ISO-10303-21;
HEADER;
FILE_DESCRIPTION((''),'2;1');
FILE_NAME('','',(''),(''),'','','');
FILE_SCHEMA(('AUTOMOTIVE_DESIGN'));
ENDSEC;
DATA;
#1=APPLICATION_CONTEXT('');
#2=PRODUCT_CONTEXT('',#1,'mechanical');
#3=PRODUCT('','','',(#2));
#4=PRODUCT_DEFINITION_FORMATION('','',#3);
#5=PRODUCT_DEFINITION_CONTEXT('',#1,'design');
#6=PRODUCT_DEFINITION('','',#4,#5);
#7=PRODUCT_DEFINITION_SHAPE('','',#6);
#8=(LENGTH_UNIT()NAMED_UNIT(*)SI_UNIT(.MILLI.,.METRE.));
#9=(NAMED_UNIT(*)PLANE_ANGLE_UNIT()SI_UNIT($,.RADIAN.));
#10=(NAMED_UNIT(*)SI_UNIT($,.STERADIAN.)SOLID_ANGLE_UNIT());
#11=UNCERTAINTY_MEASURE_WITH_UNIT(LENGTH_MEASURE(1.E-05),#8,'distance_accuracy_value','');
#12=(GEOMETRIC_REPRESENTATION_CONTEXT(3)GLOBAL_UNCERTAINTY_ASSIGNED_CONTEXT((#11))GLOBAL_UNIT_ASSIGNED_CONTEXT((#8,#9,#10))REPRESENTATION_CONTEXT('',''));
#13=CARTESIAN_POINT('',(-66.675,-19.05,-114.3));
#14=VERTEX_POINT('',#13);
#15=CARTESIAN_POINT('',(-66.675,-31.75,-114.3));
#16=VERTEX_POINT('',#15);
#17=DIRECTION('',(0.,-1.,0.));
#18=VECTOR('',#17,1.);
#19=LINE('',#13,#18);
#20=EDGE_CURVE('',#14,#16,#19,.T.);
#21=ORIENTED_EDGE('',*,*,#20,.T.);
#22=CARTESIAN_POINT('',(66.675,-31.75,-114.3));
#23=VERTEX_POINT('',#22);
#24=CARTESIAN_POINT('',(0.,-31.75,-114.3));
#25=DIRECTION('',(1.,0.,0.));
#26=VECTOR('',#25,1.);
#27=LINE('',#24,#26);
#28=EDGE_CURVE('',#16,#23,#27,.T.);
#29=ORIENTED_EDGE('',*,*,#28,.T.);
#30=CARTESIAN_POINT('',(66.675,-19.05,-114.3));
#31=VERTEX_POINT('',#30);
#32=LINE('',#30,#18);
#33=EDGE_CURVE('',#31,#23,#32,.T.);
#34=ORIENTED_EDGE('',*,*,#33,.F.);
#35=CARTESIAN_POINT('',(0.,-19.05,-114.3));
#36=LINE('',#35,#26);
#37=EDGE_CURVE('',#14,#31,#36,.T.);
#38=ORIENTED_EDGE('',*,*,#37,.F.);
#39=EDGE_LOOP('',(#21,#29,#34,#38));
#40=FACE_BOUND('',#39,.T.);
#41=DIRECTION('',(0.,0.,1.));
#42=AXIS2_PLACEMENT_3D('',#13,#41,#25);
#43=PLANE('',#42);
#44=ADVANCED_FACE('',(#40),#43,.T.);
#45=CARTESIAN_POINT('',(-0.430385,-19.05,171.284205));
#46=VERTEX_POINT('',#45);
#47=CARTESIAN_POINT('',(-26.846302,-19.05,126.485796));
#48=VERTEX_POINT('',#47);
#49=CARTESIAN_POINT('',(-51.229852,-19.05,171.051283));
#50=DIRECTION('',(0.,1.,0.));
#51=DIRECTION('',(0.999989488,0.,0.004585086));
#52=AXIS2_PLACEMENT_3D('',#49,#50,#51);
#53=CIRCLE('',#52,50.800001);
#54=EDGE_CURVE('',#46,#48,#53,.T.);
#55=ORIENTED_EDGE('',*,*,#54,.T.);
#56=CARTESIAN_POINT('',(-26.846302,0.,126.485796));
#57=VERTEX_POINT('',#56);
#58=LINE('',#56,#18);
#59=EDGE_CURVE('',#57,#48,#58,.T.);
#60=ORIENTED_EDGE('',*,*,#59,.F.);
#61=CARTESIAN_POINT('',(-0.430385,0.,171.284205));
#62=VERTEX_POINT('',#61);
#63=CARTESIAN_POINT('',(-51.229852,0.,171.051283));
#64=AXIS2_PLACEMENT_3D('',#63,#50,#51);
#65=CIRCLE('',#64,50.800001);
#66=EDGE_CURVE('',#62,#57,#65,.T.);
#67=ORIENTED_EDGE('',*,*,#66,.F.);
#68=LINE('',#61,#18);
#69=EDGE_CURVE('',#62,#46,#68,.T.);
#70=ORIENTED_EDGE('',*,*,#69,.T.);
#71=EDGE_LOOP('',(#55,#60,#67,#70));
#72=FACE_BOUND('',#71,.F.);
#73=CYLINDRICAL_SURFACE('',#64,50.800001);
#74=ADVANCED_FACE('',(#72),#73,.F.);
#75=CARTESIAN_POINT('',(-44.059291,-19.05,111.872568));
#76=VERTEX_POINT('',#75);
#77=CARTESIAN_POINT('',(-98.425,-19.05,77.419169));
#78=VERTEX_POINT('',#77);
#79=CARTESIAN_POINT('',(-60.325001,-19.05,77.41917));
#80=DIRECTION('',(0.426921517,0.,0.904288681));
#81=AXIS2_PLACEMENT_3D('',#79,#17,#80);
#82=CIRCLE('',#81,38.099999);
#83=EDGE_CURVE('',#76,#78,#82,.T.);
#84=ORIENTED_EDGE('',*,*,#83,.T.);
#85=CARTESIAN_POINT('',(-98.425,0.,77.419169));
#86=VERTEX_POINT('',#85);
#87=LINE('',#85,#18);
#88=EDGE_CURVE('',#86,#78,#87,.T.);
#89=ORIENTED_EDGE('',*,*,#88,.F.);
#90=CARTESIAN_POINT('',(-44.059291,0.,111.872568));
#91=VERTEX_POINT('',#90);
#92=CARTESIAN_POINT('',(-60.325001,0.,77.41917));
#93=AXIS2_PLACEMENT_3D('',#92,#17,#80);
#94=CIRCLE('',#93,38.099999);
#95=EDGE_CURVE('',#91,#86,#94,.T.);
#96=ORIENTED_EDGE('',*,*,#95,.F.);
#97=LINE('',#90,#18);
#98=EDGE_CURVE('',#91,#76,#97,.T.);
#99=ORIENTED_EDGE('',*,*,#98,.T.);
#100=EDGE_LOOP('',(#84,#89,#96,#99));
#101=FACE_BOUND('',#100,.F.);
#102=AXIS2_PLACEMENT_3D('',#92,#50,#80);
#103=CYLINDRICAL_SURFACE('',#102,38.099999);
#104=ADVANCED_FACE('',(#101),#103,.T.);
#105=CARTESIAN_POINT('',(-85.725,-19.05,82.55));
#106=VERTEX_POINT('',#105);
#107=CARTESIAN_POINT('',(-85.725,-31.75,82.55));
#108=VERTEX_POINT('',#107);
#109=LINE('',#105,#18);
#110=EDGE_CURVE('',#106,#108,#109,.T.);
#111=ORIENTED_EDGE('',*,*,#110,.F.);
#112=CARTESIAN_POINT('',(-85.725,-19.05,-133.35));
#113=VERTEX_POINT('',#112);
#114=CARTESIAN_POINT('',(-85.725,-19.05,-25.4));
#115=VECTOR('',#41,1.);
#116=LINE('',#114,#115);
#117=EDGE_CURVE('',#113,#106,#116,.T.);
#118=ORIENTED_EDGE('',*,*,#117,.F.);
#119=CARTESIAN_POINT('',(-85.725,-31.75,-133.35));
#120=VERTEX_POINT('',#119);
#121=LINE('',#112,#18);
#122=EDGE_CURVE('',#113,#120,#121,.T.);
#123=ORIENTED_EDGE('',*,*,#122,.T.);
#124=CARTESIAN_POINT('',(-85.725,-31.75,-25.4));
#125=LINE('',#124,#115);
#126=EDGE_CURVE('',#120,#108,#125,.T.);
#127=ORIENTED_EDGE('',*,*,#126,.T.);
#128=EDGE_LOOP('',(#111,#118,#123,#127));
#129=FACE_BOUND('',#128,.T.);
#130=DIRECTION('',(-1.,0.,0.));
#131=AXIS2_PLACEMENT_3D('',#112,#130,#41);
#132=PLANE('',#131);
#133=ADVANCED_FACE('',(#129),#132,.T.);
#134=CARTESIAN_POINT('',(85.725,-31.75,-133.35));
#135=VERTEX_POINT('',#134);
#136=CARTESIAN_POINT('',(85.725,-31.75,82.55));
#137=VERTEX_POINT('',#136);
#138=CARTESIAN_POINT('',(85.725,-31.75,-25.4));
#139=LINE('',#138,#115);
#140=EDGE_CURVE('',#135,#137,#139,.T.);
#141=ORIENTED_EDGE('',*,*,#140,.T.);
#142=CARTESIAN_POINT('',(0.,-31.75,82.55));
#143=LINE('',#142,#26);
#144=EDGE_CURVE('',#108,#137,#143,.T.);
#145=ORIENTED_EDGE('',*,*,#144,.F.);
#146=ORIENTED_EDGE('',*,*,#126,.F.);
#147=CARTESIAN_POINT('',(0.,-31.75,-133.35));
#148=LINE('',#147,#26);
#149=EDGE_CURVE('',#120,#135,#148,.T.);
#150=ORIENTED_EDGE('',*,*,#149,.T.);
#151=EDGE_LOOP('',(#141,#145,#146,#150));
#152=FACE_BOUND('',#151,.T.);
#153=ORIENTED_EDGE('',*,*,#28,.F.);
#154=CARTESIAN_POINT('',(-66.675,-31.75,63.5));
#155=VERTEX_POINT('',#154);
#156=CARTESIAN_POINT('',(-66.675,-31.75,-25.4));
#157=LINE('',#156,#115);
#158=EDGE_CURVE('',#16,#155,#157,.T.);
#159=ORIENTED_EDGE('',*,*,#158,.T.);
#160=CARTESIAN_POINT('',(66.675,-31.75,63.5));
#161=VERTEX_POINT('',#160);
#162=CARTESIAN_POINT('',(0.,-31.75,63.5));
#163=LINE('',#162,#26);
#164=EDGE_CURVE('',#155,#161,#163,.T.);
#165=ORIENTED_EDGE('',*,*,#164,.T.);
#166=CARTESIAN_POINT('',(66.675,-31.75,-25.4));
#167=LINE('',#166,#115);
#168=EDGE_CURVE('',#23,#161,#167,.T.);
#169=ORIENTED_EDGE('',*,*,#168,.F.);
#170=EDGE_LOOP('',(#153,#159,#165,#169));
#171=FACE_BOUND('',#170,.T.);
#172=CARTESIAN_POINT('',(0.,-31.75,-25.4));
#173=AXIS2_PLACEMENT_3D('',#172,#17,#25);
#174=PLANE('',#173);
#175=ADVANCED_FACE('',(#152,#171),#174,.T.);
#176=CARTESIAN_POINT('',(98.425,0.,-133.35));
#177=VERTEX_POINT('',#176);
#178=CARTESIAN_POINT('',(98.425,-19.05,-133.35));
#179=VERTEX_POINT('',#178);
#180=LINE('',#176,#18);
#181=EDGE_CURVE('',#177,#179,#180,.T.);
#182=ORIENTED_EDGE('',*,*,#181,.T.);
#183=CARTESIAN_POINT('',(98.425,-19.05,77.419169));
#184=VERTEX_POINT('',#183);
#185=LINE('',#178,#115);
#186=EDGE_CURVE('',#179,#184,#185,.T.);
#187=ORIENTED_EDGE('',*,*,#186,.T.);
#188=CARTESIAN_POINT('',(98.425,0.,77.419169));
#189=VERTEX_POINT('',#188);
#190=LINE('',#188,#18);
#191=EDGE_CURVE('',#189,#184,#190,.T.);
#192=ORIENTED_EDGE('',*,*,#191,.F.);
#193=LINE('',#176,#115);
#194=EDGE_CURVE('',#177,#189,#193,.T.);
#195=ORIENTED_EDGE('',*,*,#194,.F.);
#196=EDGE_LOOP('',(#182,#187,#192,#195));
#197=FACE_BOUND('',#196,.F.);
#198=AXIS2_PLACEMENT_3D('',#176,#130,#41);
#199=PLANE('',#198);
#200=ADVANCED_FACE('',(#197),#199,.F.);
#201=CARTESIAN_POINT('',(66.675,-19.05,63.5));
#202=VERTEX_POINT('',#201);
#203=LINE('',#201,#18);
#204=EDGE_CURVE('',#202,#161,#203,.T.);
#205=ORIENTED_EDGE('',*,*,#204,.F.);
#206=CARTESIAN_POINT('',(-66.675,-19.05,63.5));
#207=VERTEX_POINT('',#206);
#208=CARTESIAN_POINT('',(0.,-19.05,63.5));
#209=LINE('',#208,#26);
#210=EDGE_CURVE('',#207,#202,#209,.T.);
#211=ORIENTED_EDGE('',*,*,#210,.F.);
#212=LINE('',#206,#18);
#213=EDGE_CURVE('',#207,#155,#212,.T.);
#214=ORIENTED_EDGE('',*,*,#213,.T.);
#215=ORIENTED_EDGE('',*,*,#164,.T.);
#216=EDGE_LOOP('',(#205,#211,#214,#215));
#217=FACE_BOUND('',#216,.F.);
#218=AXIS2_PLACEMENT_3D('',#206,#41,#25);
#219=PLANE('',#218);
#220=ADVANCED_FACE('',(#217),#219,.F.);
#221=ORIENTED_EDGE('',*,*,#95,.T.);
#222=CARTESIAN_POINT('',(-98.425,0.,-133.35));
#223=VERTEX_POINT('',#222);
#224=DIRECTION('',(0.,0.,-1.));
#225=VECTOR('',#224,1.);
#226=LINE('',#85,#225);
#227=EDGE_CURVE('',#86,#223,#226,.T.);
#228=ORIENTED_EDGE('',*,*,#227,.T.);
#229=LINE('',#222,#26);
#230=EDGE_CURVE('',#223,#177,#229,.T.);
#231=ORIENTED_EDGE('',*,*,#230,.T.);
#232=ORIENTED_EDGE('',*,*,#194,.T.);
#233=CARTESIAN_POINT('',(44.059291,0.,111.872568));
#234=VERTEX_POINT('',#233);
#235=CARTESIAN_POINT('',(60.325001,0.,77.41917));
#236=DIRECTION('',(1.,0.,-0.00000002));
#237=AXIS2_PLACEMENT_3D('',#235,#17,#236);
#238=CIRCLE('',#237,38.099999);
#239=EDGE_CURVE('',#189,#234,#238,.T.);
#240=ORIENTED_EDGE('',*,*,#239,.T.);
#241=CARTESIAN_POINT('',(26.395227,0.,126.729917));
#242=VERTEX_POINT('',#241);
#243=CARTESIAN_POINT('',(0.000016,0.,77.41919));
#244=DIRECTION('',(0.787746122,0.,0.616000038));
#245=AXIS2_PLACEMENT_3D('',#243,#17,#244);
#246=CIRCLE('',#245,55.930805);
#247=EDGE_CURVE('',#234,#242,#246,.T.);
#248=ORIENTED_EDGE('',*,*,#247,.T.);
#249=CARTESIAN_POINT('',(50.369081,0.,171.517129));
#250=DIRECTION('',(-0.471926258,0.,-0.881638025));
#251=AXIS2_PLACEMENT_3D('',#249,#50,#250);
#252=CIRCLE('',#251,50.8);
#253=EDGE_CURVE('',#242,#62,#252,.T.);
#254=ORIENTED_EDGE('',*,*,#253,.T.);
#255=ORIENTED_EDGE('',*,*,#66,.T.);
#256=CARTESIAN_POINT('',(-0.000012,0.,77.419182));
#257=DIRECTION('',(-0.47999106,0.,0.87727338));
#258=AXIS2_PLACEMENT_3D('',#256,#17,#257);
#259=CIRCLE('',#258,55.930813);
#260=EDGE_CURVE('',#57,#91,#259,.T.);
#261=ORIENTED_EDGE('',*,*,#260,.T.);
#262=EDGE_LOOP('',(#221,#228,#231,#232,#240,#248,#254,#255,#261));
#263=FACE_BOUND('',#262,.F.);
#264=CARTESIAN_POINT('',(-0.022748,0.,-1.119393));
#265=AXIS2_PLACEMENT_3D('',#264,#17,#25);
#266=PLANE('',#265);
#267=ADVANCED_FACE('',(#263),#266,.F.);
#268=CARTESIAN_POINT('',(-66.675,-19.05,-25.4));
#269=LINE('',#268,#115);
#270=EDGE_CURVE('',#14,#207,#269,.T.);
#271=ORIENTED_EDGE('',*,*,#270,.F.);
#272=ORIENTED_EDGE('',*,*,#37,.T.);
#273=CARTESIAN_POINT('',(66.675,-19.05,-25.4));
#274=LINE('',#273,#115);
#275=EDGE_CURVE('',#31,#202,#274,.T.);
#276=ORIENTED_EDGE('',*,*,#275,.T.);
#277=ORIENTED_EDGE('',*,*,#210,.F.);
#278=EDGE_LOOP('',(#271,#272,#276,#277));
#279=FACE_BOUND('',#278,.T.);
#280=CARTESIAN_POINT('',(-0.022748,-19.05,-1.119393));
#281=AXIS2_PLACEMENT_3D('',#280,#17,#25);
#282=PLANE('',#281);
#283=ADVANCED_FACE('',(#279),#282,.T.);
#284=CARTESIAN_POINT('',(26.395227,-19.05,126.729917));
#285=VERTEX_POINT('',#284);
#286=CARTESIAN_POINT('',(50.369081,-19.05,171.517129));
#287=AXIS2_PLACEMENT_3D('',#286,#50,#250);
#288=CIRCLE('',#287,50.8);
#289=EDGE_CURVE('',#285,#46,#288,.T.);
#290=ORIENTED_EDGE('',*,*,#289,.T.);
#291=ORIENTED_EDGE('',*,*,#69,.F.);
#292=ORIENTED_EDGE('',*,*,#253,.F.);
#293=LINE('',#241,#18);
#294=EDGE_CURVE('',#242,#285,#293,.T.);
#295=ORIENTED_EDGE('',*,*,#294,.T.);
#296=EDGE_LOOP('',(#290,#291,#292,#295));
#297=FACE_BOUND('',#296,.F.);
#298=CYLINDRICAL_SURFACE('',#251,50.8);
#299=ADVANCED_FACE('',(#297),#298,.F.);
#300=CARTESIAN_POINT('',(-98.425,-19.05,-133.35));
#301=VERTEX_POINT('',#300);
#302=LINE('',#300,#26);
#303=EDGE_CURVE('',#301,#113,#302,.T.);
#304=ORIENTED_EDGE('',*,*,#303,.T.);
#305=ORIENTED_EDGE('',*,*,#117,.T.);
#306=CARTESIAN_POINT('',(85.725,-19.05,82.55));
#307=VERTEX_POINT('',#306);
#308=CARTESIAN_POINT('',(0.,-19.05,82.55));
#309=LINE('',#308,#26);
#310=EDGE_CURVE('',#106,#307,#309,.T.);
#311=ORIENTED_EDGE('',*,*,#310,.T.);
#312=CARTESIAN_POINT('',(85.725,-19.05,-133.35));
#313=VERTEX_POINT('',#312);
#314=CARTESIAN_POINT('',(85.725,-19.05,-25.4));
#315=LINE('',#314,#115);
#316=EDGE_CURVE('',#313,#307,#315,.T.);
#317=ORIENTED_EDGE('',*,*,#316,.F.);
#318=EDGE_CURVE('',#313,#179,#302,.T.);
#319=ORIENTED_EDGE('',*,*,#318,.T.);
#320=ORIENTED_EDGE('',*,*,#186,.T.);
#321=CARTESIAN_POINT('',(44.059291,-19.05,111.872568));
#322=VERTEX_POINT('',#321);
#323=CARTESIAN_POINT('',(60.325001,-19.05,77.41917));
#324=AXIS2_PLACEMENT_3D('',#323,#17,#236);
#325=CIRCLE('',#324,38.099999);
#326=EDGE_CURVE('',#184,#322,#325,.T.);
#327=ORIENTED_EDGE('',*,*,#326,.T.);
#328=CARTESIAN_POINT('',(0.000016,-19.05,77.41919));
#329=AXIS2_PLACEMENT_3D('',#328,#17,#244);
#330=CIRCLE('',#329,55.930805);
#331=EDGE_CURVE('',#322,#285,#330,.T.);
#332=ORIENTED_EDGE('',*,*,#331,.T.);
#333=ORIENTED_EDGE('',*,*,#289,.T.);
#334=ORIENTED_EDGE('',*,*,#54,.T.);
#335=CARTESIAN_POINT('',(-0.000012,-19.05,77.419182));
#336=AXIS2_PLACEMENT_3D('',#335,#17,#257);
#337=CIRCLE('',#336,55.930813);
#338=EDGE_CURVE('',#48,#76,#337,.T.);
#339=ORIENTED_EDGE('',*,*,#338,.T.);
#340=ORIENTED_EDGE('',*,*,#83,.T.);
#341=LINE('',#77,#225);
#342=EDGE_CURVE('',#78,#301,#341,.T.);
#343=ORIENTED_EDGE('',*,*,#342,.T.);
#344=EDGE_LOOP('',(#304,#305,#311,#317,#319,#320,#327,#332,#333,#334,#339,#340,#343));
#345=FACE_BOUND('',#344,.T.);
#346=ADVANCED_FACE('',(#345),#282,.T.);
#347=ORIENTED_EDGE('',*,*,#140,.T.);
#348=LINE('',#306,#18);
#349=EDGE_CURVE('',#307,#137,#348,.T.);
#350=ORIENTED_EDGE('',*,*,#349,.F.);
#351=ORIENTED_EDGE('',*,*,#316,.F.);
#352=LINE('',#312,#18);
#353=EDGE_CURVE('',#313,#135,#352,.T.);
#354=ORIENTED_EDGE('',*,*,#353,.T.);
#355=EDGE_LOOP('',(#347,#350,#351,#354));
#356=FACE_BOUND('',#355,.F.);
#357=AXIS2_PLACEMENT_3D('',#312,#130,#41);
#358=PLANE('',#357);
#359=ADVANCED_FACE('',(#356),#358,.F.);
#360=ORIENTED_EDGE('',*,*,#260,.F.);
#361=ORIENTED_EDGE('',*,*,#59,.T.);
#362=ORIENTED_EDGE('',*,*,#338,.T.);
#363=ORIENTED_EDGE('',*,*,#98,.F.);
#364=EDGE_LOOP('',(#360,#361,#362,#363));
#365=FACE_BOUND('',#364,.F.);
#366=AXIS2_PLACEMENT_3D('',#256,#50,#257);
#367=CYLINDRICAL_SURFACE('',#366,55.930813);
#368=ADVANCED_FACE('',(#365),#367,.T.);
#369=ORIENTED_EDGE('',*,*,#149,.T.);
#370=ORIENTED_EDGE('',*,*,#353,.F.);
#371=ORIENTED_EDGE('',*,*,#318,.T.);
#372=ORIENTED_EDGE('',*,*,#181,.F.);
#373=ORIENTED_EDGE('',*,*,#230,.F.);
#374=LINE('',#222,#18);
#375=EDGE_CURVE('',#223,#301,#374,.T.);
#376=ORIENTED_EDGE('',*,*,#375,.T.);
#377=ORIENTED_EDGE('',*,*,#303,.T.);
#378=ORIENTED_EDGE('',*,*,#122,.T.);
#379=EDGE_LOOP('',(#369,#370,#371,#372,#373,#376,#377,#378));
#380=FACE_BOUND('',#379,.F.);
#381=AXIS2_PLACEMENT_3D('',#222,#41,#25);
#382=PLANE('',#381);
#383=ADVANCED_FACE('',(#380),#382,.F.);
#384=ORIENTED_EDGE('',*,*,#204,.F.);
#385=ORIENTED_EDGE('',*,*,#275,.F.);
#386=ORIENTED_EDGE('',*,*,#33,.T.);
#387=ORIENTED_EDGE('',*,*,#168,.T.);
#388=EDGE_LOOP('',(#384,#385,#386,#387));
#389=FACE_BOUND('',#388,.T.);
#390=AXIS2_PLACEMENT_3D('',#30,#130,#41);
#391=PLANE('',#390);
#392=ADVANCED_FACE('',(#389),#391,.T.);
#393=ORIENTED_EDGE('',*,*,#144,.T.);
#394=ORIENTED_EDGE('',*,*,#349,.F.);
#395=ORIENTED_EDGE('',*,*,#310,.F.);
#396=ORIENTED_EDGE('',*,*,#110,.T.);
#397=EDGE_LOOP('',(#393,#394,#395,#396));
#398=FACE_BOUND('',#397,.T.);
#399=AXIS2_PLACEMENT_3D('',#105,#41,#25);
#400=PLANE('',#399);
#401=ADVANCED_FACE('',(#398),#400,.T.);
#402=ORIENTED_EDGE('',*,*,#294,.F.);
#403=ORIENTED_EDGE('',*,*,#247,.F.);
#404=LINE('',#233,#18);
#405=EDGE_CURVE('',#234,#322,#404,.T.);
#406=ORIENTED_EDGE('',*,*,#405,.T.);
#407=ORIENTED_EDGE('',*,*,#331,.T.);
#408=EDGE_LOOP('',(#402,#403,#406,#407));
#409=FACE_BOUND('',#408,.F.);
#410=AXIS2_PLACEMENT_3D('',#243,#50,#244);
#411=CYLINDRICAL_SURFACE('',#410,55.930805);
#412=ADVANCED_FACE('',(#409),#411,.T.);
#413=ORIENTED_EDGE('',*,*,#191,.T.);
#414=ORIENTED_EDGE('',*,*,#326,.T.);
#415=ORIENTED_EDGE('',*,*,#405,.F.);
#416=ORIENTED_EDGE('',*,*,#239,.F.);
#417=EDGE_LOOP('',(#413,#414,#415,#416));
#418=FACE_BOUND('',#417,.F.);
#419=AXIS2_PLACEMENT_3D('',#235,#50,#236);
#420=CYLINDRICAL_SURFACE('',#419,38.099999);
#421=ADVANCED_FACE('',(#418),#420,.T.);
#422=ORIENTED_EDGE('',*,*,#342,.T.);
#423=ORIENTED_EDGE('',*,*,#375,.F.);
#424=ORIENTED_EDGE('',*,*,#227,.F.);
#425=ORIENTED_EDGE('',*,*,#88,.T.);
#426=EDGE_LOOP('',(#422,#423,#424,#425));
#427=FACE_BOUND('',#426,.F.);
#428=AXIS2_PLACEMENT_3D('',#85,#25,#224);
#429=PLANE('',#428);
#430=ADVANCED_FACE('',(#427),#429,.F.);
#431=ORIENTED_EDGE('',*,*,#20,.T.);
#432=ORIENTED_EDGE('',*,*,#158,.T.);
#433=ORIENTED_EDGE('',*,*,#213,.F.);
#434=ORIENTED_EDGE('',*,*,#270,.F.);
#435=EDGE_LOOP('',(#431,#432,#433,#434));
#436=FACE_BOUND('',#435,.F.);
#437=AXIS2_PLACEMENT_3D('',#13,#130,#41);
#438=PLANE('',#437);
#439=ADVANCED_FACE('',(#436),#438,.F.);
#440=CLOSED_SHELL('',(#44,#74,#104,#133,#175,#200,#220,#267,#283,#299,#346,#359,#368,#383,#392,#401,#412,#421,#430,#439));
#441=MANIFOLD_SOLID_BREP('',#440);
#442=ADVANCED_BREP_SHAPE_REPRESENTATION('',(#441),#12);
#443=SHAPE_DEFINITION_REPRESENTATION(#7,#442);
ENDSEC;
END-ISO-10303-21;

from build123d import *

# Parameters (mm, degrees)
F1_DEPTH = 19.05
F2_W     = 171.45
F2_H     = 215.9
F2_W_2   = 133.35
F2_H_2   = 177.8
F3_DEPTH = 12.7


with BuildPart() as f1:
    # F0 (on Front) → F1 (new body)
    with BuildSketch(Plane.XZ):
        with BuildLine():
            Line((-98.425, -133.35), (98.425, -133.35))
            Line((98.425, -133.35), (98.425, 77.419169))
            ThreePointArc((98.425, 77.419169), (80.719687, 109.600946), (44.059291, 111.872568))
            ThreePointArc((44.059291, 111.872568), (36.002014, 120.222357), (26.395227, 126.729917))
            ThreePointArc((26.395227, 126.729917), (6.848586, 145.313951), (-0.430385, 171.284205))
            ThreePointArc((-0.430385, 171.284205), (-7.4709, 145.248294), (-26.846302, 126.485796))
            ThreePointArc((-26.846302, 126.485796), (-36.197892, 120.056834), (-44.059291, 111.872568))
            ThreePointArc((-44.059291, 111.872568), (-80.719687, 109.600946), (-98.425, 77.419169))
            Line((-98.425, 77.419169), (-98.425, -133.35))
        make_face()
    extrude(amount=F1_DEPTH)

    # F2 (on face) → F3 (join)
    with BuildSketch(Plane.XZ.offset(19.05)):
        with Locations((0, -25.4)):
            Rectangle(F2_W, F2_H)
        with Locations((0, -25.4)):
            Rectangle(F2_W_2, F2_H_2, mode=Mode.SUBTRACT)
    extrude(amount=F3_DEPTH)


solid = f1.part
